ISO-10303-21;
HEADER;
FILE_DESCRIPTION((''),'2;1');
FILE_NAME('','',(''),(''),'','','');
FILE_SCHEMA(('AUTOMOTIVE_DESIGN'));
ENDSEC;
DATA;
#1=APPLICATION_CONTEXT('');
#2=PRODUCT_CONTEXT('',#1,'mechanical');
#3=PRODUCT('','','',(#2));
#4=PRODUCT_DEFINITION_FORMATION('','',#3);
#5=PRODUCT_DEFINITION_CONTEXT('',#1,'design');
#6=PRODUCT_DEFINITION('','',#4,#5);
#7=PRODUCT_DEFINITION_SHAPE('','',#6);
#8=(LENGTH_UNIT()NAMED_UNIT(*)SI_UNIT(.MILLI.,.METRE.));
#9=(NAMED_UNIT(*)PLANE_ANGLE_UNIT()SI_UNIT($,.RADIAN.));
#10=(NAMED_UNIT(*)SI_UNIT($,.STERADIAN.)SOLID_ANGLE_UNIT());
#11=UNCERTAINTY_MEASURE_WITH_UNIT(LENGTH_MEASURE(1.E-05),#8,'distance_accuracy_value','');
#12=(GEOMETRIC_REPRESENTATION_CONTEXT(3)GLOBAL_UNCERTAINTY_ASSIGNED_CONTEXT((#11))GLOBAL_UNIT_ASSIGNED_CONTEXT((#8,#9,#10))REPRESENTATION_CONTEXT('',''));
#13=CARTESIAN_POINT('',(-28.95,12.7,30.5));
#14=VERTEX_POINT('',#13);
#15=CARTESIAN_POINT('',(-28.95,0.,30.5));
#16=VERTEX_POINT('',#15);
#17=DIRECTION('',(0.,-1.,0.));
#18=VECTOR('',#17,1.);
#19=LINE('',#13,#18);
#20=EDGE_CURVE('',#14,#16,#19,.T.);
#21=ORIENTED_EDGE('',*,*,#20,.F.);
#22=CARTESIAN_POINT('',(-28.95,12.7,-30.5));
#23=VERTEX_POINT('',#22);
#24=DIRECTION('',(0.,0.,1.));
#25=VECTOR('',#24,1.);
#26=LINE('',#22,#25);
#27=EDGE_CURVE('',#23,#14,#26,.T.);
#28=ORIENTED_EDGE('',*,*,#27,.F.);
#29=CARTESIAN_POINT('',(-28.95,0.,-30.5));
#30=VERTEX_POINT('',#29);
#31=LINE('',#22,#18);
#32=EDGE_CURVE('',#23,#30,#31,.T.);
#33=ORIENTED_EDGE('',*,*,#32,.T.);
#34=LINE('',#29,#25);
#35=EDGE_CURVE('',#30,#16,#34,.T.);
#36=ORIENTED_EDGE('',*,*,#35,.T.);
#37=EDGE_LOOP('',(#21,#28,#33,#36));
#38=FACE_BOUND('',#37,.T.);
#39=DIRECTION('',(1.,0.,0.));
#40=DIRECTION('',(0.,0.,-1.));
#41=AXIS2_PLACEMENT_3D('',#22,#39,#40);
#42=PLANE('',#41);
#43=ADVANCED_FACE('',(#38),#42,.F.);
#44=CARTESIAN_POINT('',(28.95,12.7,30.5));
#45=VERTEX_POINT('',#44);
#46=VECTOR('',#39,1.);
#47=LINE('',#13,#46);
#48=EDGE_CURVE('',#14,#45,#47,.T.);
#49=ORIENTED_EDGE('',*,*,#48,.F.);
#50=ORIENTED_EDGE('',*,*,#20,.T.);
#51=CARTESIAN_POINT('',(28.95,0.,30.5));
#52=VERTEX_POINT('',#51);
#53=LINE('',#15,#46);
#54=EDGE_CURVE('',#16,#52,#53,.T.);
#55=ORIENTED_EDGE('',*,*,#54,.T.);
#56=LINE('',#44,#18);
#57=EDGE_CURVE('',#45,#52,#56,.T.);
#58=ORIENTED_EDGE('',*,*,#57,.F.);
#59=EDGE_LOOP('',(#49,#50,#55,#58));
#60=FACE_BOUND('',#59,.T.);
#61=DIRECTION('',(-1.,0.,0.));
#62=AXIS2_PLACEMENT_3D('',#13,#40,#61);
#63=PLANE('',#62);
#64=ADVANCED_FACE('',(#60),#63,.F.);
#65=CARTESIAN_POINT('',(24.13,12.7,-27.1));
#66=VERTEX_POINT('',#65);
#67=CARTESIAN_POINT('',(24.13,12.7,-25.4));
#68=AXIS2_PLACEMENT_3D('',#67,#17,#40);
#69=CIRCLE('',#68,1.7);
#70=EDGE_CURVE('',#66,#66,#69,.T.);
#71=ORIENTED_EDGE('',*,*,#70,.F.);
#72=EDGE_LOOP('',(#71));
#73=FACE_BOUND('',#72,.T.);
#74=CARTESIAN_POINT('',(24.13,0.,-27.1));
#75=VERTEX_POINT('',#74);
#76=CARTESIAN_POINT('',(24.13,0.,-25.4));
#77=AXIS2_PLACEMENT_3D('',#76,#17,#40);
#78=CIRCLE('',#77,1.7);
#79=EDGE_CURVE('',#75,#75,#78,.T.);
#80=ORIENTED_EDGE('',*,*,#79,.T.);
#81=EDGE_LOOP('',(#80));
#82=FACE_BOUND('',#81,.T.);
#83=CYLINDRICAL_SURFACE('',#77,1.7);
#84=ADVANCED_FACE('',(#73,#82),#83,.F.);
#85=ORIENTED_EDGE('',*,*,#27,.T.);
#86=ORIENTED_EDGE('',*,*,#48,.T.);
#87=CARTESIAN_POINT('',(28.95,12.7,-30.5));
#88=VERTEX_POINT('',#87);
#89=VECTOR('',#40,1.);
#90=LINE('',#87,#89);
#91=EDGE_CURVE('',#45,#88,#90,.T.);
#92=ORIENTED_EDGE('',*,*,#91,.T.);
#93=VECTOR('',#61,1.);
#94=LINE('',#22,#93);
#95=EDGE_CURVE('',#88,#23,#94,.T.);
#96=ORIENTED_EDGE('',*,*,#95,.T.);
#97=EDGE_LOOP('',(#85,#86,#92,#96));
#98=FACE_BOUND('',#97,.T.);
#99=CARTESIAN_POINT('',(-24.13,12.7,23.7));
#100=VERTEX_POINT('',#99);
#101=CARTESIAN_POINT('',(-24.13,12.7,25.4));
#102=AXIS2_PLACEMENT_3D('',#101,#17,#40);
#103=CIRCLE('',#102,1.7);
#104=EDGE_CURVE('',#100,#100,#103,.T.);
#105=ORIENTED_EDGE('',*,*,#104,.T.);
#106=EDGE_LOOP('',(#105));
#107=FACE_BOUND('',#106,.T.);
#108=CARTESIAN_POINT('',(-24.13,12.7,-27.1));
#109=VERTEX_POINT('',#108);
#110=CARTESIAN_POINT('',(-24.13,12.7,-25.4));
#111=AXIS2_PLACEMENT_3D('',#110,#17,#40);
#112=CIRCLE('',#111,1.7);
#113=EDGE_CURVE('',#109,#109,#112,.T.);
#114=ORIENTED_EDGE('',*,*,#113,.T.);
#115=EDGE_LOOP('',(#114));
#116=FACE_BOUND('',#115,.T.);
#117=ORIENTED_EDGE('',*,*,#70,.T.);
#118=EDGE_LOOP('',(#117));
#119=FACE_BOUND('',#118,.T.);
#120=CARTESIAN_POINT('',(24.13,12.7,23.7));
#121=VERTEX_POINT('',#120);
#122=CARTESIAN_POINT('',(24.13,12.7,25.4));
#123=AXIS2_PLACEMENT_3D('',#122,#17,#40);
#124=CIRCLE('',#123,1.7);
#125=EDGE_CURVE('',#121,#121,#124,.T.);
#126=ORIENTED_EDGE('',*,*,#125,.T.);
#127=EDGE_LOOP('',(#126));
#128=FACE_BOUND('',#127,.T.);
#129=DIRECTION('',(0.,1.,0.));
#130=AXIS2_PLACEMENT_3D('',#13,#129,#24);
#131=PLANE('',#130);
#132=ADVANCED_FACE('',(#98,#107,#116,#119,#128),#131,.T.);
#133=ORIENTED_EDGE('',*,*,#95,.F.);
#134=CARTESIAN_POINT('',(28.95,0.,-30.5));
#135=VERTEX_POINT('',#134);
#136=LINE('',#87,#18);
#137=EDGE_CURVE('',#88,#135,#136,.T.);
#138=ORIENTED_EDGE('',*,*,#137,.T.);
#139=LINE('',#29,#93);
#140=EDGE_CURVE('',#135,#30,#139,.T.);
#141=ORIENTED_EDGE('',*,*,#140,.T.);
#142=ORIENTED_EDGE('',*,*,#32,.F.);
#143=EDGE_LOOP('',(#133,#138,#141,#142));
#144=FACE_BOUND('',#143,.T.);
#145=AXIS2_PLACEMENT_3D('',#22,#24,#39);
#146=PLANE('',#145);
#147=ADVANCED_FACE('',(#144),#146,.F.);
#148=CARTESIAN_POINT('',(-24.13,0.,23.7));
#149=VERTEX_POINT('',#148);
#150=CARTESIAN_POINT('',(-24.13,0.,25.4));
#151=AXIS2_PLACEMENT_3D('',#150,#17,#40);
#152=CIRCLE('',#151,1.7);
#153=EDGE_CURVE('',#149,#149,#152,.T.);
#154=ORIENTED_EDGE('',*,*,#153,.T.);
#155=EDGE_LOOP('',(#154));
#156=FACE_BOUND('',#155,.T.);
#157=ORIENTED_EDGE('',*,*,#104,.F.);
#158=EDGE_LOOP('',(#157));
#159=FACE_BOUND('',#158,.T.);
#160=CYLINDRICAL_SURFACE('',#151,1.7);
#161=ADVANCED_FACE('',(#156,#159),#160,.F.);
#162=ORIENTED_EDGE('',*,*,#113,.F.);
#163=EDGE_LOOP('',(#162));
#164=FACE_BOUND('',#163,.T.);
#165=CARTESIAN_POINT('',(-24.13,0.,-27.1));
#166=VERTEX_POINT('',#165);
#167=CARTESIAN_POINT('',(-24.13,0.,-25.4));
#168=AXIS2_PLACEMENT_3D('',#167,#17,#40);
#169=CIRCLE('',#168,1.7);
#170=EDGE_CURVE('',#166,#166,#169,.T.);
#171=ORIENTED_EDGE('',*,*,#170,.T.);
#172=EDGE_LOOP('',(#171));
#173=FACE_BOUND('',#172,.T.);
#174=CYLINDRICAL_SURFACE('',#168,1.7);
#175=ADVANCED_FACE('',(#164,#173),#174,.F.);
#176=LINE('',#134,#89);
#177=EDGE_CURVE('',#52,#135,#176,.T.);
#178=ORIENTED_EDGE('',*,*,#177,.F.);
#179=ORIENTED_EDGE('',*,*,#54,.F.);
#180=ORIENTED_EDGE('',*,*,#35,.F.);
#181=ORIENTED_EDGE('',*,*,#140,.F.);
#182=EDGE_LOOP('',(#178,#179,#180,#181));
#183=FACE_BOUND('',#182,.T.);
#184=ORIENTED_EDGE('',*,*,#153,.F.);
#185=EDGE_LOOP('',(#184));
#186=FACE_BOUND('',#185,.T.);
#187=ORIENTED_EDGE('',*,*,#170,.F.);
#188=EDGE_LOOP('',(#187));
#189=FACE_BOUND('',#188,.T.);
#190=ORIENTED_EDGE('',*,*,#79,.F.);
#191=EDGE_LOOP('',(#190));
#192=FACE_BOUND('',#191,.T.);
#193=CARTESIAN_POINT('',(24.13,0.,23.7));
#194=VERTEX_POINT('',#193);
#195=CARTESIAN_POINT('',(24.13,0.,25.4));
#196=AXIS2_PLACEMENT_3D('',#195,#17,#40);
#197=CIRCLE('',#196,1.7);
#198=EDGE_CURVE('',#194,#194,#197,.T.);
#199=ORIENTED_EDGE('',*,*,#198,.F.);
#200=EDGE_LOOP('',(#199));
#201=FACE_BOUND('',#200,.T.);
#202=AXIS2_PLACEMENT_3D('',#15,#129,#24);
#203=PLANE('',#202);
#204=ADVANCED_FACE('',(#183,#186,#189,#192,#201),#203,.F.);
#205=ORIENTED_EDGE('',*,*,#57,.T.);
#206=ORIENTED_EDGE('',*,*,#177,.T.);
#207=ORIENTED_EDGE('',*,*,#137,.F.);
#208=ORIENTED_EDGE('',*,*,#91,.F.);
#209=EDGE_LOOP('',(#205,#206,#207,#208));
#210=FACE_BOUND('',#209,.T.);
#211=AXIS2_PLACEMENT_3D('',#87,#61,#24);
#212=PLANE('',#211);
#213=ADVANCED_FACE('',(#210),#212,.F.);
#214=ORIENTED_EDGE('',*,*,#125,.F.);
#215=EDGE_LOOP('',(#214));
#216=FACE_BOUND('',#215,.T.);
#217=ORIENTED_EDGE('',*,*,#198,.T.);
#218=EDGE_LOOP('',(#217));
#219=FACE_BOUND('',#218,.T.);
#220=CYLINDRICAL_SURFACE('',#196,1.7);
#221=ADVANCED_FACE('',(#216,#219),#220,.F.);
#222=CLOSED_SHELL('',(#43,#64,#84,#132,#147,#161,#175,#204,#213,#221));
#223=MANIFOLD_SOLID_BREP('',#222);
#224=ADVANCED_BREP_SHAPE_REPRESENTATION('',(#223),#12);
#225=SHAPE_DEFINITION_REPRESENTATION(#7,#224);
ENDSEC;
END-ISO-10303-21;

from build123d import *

# Parameters (mm, degrees)
SKETCH1_W                = 57.9
SKETCH1_H                = 61
EXTRUDE1_DEPTH           = 12.7
M3_CLEARANCE_HOLE1_D     = 3.4
M3_CLEARANCE_HOLE1_DEPTH = 12.7
M3_CLEARANCE_HOLE1_TIP   = 1.021463052


with BuildPart() as part:
    # Sketch1 → Extrude1 (new body)
    with BuildSketch(Plane(origin=(0, 0, 0), x_dir=(1, 0, 0), z_dir=(0, 1, 0))):
        Rectangle(SKETCH1_W, SKETCH1_H)
    extrude(amount=EXTRUDE1_DEPTH)

    # M3 Clearance Hole1
    with Locations(Plane(origin=(24.13, 0, -25.4), x_dir=(0, 0, -1), z_dir=(0, -1, 0))):
        with Locations((0, 0), (0, -48.26), (-50.8, -48.26), (-50.8, 0)):
            Hole(M3_CLEARANCE_HOLE1_D / 2, depth=M3_CLEARANCE_HOLE1_DEPTH)
            with Locations((0, 0, -(M3_CLEARANCE_HOLE1_DEPTH + M3_CLEARANCE_HOLE1_TIP / 2))):  # 118° drill point
                Cone(0, M3_CLEARANCE_HOLE1_D / 2, M3_CLEARANCE_HOLE1_TIP, mode=Mode.SUBTRACT)


solid = part.part
